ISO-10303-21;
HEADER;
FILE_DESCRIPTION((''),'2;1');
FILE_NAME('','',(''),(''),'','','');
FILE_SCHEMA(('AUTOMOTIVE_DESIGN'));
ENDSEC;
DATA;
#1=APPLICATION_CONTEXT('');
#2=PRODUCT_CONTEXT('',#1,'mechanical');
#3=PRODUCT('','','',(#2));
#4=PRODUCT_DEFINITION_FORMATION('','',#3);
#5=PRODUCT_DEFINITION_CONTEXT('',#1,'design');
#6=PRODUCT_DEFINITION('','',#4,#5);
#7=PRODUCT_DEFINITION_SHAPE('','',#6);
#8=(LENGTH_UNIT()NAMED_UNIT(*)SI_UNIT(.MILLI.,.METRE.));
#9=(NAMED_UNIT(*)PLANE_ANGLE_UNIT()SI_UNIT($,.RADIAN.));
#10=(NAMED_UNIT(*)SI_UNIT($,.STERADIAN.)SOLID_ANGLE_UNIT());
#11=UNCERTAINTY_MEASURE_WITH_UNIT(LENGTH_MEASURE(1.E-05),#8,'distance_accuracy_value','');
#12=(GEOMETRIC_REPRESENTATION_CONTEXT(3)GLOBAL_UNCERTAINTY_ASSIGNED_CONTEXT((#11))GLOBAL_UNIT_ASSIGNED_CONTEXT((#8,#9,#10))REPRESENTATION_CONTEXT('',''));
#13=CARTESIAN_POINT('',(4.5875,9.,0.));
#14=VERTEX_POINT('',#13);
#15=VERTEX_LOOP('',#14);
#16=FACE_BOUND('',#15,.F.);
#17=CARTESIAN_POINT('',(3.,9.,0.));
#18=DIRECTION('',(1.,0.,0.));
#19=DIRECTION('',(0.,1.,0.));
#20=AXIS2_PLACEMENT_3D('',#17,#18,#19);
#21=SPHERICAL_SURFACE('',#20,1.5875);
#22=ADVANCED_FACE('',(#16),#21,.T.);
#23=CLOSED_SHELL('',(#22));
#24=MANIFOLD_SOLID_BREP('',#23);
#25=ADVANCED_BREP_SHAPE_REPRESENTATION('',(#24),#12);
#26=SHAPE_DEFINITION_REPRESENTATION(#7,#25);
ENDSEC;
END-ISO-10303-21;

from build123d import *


with BuildPart() as part:
    # Sketch1 → Revolve1 (revolve)
    with BuildSketch(Plane.XY):
        with BuildLine():
            Line((4.5875, 9), (1.4125, 9))
            ThreePointArc((1.4125, 9), (3, 10.5875), (4.5875, 9))
        make_face()
    revolve(axis=Axis((4.5875, 9, 0), (-1, 0, 0)))


solid = part.part
